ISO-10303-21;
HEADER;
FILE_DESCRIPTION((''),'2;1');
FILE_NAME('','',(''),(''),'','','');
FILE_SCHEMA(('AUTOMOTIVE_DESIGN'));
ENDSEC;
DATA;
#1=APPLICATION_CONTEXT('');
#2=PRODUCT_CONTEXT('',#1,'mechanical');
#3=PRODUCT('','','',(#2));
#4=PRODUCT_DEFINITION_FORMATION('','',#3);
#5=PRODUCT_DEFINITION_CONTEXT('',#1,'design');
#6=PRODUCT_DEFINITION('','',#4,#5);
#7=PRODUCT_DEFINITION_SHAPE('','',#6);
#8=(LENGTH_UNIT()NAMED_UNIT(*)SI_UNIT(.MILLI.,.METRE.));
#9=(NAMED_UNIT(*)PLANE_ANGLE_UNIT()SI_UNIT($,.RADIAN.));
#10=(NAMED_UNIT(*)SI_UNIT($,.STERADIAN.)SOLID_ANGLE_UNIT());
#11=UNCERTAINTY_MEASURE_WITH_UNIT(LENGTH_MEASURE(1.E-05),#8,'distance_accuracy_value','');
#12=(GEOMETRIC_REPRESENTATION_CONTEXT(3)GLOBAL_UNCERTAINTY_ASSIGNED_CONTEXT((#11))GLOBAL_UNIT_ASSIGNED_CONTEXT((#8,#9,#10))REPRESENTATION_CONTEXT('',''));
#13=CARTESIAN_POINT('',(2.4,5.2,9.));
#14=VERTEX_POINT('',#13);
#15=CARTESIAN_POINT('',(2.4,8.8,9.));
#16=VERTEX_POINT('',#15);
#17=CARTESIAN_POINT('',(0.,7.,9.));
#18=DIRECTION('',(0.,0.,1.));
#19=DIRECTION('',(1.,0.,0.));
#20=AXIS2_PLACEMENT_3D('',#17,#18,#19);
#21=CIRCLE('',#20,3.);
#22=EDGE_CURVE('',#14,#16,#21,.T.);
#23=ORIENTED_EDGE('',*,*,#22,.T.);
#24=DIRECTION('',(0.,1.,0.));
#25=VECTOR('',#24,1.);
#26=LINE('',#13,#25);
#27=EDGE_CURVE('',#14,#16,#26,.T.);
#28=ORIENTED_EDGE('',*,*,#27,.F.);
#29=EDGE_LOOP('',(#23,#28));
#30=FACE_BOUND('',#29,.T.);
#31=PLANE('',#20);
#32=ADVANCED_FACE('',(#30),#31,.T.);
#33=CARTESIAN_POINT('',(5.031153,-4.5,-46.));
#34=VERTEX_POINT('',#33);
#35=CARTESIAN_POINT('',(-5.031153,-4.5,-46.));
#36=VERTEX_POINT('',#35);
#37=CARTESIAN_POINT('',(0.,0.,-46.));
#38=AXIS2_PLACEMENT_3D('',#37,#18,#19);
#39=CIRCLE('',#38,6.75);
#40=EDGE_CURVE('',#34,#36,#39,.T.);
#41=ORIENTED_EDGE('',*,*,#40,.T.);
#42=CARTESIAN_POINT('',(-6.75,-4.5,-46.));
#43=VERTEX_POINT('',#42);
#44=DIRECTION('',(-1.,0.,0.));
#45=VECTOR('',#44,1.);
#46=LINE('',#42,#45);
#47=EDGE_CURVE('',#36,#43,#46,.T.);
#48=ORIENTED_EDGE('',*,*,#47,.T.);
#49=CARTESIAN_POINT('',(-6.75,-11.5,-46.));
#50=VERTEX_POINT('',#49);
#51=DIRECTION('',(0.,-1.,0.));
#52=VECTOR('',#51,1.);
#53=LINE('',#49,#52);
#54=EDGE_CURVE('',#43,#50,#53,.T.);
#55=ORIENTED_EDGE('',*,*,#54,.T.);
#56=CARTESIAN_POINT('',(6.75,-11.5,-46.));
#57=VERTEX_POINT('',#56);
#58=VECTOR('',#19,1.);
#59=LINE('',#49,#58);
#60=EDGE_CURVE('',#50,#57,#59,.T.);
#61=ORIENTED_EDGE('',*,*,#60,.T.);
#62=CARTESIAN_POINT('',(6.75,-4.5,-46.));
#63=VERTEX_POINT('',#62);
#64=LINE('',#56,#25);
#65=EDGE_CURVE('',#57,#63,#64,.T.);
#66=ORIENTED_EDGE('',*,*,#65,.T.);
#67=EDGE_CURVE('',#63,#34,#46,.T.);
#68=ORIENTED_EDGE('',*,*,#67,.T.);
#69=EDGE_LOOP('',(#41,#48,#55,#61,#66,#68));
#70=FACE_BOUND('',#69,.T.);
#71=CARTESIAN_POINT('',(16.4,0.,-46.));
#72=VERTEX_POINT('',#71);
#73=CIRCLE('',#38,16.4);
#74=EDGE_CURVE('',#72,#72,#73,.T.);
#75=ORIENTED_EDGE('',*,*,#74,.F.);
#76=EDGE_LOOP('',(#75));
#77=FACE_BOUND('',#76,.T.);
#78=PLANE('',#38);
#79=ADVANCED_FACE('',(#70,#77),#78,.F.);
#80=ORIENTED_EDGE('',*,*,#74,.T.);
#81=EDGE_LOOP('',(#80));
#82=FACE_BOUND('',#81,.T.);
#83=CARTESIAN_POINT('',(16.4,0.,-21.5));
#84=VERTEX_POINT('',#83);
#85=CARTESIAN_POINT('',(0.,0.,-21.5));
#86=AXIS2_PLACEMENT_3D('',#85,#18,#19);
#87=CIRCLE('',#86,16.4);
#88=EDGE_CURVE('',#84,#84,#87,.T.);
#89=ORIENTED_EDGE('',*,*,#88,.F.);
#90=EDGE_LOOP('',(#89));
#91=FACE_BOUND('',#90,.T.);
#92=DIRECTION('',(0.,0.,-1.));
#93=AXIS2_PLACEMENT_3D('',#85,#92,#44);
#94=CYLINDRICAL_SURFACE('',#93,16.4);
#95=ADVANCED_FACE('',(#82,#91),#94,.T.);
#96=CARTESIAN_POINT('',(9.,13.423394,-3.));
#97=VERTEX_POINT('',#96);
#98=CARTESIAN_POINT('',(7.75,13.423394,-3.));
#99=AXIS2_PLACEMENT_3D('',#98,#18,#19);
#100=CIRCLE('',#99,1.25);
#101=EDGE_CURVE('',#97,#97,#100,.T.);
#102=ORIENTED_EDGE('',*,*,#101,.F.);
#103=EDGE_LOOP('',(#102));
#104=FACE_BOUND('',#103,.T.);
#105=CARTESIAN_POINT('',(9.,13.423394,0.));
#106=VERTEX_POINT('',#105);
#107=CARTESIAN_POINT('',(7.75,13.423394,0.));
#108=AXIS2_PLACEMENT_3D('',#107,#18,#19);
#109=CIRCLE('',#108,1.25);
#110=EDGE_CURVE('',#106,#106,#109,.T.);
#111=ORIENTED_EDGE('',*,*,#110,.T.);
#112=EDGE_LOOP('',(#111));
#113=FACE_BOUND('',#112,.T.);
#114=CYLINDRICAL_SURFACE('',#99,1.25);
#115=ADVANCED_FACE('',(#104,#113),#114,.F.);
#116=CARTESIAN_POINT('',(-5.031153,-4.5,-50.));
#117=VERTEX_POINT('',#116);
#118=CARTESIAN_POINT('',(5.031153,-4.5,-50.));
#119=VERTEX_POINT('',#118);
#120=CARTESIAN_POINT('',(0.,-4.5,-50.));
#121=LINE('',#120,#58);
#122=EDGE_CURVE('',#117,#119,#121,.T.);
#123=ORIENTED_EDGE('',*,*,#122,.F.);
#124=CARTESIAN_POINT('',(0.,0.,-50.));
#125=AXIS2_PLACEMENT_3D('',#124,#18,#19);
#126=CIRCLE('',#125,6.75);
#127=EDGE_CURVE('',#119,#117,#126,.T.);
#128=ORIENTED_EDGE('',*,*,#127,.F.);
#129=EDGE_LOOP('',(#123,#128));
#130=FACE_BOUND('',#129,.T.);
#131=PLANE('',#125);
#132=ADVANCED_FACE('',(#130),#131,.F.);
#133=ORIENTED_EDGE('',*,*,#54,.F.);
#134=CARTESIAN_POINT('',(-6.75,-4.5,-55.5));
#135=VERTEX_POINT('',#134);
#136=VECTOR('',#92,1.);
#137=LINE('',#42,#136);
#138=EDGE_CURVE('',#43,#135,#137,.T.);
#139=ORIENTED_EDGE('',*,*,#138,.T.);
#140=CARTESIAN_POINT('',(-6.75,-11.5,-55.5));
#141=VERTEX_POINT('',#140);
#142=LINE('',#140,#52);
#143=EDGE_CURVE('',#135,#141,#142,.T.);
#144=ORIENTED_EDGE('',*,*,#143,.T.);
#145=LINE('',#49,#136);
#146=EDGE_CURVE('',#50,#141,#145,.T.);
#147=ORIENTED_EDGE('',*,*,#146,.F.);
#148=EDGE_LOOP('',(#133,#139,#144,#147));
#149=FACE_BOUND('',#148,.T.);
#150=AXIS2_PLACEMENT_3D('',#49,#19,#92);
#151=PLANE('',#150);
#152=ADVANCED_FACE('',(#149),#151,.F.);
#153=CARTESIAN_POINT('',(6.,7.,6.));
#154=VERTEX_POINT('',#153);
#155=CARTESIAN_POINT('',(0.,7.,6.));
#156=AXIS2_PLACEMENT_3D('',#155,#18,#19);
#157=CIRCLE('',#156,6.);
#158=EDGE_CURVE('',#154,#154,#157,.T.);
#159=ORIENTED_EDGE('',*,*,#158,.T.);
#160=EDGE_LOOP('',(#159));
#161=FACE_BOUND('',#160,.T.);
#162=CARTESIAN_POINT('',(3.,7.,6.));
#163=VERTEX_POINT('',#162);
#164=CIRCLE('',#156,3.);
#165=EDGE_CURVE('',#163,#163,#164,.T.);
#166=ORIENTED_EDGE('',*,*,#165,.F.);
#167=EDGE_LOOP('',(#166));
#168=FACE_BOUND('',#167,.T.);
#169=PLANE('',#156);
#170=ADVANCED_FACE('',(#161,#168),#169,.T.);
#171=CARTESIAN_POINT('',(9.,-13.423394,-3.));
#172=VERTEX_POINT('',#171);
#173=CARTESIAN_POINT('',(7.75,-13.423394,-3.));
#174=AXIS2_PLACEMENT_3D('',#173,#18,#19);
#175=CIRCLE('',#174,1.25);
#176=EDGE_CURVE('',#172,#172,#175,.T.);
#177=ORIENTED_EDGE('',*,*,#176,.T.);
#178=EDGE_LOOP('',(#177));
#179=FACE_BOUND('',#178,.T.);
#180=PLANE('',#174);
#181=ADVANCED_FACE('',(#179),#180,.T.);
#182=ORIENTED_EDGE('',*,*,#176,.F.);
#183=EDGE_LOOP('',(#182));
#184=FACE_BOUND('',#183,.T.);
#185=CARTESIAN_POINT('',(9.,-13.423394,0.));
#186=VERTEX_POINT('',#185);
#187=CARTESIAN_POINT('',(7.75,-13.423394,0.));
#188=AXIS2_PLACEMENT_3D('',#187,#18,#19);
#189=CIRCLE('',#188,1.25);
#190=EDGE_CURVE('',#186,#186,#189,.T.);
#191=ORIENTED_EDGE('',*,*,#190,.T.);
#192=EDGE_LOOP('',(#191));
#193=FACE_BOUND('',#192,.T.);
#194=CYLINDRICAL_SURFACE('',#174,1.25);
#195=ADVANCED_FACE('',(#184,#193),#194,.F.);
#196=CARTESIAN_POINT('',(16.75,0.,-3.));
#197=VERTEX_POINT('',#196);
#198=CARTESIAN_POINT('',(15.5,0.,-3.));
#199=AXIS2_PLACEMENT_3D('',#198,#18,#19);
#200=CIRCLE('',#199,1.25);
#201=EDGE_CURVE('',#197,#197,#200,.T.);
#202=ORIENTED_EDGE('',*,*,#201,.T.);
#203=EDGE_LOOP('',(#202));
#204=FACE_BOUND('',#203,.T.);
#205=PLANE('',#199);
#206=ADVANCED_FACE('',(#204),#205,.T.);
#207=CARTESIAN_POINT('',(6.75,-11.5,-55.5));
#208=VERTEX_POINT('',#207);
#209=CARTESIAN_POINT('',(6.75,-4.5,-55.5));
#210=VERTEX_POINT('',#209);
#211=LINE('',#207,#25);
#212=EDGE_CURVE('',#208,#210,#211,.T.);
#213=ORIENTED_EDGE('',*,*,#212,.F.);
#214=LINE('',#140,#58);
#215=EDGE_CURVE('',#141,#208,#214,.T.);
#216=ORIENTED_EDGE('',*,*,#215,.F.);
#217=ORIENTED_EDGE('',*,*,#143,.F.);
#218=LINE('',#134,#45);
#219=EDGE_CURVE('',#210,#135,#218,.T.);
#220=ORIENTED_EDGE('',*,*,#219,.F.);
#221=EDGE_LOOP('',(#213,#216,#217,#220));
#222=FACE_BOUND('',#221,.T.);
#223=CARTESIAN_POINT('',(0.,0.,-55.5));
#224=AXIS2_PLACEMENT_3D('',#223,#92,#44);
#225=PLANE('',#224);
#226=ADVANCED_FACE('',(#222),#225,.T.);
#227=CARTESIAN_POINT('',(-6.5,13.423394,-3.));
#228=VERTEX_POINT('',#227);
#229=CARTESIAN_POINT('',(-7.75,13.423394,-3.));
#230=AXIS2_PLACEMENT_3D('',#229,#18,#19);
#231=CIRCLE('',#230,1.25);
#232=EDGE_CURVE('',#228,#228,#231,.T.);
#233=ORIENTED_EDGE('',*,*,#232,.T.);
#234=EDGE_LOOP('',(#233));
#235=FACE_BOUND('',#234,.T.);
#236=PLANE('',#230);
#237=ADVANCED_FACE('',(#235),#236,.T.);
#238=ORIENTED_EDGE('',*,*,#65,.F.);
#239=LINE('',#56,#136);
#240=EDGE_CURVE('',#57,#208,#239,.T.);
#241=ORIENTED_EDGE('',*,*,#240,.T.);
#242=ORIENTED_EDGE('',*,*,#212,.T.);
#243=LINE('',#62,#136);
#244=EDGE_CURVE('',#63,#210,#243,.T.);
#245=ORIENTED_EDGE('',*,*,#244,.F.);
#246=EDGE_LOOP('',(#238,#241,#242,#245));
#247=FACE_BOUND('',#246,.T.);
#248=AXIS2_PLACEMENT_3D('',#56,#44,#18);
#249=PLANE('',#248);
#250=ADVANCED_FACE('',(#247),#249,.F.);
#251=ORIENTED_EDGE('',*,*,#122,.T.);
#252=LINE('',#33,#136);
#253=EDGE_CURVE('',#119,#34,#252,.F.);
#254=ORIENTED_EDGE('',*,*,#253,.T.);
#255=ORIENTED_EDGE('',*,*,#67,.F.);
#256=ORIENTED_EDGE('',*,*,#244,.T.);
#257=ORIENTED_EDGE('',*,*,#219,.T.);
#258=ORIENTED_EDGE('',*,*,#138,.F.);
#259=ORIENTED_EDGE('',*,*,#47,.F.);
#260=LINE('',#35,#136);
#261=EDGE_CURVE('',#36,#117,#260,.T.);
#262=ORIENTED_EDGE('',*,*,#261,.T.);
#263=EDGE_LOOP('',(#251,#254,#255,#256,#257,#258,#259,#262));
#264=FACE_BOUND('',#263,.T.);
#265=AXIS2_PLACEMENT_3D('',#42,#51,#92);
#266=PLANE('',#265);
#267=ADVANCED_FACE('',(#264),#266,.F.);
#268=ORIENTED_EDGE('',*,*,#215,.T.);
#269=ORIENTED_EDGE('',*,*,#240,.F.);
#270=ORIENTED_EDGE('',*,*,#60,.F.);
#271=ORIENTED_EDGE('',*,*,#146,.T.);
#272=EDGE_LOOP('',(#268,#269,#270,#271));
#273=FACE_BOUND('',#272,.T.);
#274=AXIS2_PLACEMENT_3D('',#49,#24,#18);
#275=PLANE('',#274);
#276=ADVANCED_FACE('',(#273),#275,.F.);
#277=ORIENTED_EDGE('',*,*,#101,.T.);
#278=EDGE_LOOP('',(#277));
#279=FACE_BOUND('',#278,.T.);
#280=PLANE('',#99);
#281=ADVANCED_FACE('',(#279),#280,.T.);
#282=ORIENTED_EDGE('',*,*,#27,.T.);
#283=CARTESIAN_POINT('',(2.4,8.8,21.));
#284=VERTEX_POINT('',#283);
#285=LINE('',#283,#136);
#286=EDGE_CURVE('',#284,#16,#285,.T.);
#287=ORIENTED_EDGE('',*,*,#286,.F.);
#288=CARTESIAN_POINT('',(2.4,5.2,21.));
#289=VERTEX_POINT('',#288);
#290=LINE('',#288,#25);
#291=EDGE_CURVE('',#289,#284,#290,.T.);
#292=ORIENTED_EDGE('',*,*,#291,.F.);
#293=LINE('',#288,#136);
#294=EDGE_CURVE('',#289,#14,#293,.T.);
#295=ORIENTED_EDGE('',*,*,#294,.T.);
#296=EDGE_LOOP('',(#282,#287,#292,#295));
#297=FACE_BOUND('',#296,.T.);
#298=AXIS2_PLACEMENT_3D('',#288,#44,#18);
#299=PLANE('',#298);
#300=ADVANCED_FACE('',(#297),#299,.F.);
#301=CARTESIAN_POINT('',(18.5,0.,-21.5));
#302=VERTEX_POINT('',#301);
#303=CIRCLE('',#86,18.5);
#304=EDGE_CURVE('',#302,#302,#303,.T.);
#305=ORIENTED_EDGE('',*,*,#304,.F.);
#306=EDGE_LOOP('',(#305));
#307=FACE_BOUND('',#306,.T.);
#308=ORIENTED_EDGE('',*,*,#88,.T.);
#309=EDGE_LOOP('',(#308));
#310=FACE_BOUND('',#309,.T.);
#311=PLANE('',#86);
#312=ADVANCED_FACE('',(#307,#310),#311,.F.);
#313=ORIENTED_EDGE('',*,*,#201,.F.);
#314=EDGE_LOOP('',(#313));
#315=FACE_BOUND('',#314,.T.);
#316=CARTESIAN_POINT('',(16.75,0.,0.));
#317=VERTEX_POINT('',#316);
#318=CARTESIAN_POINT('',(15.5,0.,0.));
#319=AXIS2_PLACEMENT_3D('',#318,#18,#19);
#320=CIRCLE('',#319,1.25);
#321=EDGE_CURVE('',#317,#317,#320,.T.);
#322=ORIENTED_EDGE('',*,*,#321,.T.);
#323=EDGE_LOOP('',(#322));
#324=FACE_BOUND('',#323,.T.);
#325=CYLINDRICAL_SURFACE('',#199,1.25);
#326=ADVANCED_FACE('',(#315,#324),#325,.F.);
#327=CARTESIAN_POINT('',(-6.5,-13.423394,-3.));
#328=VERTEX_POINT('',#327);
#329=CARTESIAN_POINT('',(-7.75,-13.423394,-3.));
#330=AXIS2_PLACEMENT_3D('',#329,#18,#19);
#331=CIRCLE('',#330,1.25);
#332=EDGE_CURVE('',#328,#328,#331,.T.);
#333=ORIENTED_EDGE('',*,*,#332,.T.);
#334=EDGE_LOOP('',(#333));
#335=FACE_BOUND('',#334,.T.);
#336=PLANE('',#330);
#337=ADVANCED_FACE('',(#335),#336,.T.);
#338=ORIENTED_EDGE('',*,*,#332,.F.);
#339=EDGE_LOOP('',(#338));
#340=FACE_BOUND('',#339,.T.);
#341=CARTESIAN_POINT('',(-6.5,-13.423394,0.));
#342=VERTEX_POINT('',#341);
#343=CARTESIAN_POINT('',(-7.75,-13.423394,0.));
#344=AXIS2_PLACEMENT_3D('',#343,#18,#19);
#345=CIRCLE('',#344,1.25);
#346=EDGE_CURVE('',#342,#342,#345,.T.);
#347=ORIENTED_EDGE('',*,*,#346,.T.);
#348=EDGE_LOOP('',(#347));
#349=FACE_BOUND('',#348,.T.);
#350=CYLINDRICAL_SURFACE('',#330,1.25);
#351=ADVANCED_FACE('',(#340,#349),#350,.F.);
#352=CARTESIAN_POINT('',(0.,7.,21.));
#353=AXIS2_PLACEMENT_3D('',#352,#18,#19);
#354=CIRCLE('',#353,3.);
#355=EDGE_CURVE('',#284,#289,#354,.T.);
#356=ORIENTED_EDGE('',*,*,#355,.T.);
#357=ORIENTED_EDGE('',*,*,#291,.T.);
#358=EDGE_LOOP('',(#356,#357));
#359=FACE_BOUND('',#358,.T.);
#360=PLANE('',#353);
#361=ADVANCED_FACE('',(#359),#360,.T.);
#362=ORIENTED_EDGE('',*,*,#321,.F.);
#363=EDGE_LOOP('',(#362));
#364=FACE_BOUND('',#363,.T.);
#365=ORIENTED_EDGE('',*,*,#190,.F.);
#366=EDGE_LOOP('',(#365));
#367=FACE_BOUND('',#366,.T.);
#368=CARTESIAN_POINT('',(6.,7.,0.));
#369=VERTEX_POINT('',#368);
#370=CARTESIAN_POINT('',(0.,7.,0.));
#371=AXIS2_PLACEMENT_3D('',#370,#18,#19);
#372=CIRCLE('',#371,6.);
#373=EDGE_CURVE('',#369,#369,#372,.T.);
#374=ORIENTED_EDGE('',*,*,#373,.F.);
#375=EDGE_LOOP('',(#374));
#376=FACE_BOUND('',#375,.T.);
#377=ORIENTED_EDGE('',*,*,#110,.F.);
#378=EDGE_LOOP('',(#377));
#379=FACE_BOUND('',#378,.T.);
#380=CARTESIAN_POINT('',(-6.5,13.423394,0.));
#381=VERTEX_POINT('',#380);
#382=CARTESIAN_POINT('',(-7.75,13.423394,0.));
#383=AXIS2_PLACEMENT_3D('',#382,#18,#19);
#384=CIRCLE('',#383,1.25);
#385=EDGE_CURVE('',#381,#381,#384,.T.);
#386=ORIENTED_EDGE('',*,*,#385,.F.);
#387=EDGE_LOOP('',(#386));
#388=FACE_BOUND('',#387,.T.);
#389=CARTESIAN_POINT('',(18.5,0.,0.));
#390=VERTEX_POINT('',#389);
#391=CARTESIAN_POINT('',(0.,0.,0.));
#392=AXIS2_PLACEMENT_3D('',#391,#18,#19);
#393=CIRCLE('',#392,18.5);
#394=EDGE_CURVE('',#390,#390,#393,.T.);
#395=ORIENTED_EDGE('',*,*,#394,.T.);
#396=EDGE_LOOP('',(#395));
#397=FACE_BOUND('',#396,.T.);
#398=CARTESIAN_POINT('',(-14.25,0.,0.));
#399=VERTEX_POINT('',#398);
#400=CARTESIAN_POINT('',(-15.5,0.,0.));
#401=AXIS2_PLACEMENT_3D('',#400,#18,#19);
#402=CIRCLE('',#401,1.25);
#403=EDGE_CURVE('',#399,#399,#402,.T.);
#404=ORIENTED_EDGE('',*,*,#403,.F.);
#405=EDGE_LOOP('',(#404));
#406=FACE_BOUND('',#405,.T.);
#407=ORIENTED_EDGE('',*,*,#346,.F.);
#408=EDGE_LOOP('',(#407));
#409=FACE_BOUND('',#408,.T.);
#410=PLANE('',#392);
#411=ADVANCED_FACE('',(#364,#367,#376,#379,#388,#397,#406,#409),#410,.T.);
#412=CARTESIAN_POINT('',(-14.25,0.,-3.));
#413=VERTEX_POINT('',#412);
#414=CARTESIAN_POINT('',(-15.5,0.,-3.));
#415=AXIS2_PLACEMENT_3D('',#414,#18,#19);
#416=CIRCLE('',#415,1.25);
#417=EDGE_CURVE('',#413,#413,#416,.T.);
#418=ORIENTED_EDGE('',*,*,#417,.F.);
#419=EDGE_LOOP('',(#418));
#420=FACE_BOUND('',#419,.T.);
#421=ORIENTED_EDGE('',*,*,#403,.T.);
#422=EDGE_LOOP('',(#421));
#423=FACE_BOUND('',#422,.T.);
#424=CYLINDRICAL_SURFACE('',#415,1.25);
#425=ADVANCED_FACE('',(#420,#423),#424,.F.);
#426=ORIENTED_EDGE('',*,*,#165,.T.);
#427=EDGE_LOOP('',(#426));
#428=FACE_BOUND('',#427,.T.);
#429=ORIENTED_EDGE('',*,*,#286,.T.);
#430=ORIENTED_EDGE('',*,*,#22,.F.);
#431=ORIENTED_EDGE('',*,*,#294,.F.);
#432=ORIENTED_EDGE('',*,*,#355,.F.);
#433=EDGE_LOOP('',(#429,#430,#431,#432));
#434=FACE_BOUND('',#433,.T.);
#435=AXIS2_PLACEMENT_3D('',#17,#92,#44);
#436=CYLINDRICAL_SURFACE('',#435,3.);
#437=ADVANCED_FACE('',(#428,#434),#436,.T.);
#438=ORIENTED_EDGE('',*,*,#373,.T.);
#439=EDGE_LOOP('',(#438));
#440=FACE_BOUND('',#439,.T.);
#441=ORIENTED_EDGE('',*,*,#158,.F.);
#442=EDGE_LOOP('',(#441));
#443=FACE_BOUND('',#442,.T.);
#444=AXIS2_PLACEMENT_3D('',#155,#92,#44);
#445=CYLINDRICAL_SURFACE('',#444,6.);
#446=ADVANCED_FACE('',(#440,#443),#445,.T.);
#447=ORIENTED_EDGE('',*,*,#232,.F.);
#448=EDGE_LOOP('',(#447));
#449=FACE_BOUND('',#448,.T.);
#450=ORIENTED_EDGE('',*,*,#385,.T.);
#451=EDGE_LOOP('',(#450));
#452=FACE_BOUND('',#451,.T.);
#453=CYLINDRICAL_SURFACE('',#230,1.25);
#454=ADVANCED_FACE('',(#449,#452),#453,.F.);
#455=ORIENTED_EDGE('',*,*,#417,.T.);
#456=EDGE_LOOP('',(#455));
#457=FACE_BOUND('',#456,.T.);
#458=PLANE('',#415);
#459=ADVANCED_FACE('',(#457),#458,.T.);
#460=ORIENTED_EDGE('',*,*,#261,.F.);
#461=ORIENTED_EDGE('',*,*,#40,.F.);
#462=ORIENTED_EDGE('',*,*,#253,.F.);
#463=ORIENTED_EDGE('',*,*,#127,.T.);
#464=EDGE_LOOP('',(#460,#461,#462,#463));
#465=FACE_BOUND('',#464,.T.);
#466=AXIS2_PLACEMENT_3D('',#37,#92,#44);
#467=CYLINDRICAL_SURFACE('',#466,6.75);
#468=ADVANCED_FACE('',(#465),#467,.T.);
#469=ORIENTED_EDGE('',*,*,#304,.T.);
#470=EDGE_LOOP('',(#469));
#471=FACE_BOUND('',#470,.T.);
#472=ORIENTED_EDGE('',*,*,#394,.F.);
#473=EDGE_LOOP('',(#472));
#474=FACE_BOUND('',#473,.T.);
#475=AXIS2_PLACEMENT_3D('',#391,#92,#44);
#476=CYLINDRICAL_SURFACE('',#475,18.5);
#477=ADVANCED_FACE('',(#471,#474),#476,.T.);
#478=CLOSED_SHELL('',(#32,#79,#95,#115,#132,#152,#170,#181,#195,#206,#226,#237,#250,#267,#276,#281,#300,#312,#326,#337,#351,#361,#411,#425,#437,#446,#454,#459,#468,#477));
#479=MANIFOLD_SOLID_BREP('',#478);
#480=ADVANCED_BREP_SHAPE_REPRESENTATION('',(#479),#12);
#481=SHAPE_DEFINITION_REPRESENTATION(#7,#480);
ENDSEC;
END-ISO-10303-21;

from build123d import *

# Parameters (mm, degrees)
EXTRUDE_START          = -21.5
SKETCH_1_R             = 18.5
EXTRUDE_37_21_5_DEPTH  = 21.5
EXTRUDE_START_2        = -44.5
SKETCH_2_R             = 16.4
EXTRUDE_32_8_23_DEPTH  = 23
PCB_START              = -46
SKETCH_3_R             = 16.4
PCB_DEPTH              = 1.5
EXTRUDE_START_3        = -50
SKETCH_4_R             = 6.75
EXTRUDE_504_DEPTH      = 4
XH2_54_START           = -55.5
SKETCH_5_W             = 13.5
SKETCH_5_H             = 7
XH2_54_DEPTH           = 9.5
SKETCH_6_R             = 6
F_7MM_12_DEPTH         = 6
EXTRUDE_START_4        = 6
SKETCH_7_R             = 3
EXTRUDE_6_DEPTH        = 3
EXTRUDE_START_5        = 9
EXTRUDE_D_5_4_12_DEPTH = 12
SKETCH_9_R             = 1.25
F_6XM3_3_DEPTH         = 3


with BuildPart() as part:
    # 草图1 → 减速箱_直径37_长21.5 (new body)
    with BuildSketch(Plane.XY.offset(EXTRUDE_START)):
        Circle(SKETCH_1_R)
    extrude(amount=EXTRUDE_37_21_5_DEPTH)

    # 草图2 → 电机壳_直径32.8_长23 (add)
    with BuildSketch(Plane.XY.offset(EXTRUDE_START_2)):
        Circle(SKETCH_2_R)
    extrude(amount=EXTRUDE_32_8_23_DEPTH)

    # 草图3 → 编码器PCB (add)
    with BuildSketch(Plane.XY.offset(PCB_START)):
        Circle(SKETCH_3_R)
    extrude(amount=PCB_DEPTH)

    # 草图4 → Extrude 504 (add)
    with BuildSketch(Plane.XY.offset(EXTRUDE_START_3)):
        Circle(SKETCH_4_R)
    extrude(amount=EXTRUDE_504_DEPTH)

    # 草图5 → XH2.54连接器_外形简化 (add)
    with BuildSketch(Plane.XY.offset(XH2_54_START)):
        with Locations((0, -8)):
            Rectangle(SKETCH_5_W, SKETCH_5_H)
    extrude(amount=XH2_54_DEPTH)

    # 草图6 → 偏心7mm_轴台直径12 (add)
    with BuildSketch(Plane.XY):
        with Locations((0, 7)):
            Circle(SKETCH_6_R)
    extrude(amount=F_7MM_12_DEPTH)

    # 草图7 → 输出轴直径6 (add)
    with BuildSketch(Plane.XY.offset(EXTRUDE_START_4)):
        with Locations((0, 7)):
            Circle(SKETCH_7_R)
    extrude(amount=EXTRUDE_6_DEPTH)

    # 草图8 → D轴_5.4对边_削平长12 (add)
    with BuildSketch(Plane.XY.offset(EXTRUDE_START_5)):
        with BuildLine():
            Line((2.4, 5.2), (2.4, 8.8))
            ThreePointArc((2.4, 8.8), (-3, 7), (2.4, 5.2))
        make_face()
    extrude(amount=EXTRUDE_D_5_4_12_DEPTH)

    # 草图9 → 6xM3安装底孔_深3_牙型简化 (cut)
    with BuildSketch(Plane.XY):
        with Locations((15.5, 0)):
            Circle(SKETCH_9_R)
        with Locations((7.75, 13.423393759)):
            Circle(SKETCH_9_R)
        with Locations((-7.75, 13.423393759)):
            Circle(SKETCH_9_R)
        with Locations((-15.5, 0)):
            Circle(SKETCH_9_R)
        with Locations((-7.75, -13.423393759)):
            Circle(SKETCH_9_R)
        with Locations((7.75, -13.423393759)):
            Circle(SKETCH_9_R)
    extrude(amount=-F_6XM3_3_DEPTH, mode=Mode.SUBTRACT)


solid = part.part
